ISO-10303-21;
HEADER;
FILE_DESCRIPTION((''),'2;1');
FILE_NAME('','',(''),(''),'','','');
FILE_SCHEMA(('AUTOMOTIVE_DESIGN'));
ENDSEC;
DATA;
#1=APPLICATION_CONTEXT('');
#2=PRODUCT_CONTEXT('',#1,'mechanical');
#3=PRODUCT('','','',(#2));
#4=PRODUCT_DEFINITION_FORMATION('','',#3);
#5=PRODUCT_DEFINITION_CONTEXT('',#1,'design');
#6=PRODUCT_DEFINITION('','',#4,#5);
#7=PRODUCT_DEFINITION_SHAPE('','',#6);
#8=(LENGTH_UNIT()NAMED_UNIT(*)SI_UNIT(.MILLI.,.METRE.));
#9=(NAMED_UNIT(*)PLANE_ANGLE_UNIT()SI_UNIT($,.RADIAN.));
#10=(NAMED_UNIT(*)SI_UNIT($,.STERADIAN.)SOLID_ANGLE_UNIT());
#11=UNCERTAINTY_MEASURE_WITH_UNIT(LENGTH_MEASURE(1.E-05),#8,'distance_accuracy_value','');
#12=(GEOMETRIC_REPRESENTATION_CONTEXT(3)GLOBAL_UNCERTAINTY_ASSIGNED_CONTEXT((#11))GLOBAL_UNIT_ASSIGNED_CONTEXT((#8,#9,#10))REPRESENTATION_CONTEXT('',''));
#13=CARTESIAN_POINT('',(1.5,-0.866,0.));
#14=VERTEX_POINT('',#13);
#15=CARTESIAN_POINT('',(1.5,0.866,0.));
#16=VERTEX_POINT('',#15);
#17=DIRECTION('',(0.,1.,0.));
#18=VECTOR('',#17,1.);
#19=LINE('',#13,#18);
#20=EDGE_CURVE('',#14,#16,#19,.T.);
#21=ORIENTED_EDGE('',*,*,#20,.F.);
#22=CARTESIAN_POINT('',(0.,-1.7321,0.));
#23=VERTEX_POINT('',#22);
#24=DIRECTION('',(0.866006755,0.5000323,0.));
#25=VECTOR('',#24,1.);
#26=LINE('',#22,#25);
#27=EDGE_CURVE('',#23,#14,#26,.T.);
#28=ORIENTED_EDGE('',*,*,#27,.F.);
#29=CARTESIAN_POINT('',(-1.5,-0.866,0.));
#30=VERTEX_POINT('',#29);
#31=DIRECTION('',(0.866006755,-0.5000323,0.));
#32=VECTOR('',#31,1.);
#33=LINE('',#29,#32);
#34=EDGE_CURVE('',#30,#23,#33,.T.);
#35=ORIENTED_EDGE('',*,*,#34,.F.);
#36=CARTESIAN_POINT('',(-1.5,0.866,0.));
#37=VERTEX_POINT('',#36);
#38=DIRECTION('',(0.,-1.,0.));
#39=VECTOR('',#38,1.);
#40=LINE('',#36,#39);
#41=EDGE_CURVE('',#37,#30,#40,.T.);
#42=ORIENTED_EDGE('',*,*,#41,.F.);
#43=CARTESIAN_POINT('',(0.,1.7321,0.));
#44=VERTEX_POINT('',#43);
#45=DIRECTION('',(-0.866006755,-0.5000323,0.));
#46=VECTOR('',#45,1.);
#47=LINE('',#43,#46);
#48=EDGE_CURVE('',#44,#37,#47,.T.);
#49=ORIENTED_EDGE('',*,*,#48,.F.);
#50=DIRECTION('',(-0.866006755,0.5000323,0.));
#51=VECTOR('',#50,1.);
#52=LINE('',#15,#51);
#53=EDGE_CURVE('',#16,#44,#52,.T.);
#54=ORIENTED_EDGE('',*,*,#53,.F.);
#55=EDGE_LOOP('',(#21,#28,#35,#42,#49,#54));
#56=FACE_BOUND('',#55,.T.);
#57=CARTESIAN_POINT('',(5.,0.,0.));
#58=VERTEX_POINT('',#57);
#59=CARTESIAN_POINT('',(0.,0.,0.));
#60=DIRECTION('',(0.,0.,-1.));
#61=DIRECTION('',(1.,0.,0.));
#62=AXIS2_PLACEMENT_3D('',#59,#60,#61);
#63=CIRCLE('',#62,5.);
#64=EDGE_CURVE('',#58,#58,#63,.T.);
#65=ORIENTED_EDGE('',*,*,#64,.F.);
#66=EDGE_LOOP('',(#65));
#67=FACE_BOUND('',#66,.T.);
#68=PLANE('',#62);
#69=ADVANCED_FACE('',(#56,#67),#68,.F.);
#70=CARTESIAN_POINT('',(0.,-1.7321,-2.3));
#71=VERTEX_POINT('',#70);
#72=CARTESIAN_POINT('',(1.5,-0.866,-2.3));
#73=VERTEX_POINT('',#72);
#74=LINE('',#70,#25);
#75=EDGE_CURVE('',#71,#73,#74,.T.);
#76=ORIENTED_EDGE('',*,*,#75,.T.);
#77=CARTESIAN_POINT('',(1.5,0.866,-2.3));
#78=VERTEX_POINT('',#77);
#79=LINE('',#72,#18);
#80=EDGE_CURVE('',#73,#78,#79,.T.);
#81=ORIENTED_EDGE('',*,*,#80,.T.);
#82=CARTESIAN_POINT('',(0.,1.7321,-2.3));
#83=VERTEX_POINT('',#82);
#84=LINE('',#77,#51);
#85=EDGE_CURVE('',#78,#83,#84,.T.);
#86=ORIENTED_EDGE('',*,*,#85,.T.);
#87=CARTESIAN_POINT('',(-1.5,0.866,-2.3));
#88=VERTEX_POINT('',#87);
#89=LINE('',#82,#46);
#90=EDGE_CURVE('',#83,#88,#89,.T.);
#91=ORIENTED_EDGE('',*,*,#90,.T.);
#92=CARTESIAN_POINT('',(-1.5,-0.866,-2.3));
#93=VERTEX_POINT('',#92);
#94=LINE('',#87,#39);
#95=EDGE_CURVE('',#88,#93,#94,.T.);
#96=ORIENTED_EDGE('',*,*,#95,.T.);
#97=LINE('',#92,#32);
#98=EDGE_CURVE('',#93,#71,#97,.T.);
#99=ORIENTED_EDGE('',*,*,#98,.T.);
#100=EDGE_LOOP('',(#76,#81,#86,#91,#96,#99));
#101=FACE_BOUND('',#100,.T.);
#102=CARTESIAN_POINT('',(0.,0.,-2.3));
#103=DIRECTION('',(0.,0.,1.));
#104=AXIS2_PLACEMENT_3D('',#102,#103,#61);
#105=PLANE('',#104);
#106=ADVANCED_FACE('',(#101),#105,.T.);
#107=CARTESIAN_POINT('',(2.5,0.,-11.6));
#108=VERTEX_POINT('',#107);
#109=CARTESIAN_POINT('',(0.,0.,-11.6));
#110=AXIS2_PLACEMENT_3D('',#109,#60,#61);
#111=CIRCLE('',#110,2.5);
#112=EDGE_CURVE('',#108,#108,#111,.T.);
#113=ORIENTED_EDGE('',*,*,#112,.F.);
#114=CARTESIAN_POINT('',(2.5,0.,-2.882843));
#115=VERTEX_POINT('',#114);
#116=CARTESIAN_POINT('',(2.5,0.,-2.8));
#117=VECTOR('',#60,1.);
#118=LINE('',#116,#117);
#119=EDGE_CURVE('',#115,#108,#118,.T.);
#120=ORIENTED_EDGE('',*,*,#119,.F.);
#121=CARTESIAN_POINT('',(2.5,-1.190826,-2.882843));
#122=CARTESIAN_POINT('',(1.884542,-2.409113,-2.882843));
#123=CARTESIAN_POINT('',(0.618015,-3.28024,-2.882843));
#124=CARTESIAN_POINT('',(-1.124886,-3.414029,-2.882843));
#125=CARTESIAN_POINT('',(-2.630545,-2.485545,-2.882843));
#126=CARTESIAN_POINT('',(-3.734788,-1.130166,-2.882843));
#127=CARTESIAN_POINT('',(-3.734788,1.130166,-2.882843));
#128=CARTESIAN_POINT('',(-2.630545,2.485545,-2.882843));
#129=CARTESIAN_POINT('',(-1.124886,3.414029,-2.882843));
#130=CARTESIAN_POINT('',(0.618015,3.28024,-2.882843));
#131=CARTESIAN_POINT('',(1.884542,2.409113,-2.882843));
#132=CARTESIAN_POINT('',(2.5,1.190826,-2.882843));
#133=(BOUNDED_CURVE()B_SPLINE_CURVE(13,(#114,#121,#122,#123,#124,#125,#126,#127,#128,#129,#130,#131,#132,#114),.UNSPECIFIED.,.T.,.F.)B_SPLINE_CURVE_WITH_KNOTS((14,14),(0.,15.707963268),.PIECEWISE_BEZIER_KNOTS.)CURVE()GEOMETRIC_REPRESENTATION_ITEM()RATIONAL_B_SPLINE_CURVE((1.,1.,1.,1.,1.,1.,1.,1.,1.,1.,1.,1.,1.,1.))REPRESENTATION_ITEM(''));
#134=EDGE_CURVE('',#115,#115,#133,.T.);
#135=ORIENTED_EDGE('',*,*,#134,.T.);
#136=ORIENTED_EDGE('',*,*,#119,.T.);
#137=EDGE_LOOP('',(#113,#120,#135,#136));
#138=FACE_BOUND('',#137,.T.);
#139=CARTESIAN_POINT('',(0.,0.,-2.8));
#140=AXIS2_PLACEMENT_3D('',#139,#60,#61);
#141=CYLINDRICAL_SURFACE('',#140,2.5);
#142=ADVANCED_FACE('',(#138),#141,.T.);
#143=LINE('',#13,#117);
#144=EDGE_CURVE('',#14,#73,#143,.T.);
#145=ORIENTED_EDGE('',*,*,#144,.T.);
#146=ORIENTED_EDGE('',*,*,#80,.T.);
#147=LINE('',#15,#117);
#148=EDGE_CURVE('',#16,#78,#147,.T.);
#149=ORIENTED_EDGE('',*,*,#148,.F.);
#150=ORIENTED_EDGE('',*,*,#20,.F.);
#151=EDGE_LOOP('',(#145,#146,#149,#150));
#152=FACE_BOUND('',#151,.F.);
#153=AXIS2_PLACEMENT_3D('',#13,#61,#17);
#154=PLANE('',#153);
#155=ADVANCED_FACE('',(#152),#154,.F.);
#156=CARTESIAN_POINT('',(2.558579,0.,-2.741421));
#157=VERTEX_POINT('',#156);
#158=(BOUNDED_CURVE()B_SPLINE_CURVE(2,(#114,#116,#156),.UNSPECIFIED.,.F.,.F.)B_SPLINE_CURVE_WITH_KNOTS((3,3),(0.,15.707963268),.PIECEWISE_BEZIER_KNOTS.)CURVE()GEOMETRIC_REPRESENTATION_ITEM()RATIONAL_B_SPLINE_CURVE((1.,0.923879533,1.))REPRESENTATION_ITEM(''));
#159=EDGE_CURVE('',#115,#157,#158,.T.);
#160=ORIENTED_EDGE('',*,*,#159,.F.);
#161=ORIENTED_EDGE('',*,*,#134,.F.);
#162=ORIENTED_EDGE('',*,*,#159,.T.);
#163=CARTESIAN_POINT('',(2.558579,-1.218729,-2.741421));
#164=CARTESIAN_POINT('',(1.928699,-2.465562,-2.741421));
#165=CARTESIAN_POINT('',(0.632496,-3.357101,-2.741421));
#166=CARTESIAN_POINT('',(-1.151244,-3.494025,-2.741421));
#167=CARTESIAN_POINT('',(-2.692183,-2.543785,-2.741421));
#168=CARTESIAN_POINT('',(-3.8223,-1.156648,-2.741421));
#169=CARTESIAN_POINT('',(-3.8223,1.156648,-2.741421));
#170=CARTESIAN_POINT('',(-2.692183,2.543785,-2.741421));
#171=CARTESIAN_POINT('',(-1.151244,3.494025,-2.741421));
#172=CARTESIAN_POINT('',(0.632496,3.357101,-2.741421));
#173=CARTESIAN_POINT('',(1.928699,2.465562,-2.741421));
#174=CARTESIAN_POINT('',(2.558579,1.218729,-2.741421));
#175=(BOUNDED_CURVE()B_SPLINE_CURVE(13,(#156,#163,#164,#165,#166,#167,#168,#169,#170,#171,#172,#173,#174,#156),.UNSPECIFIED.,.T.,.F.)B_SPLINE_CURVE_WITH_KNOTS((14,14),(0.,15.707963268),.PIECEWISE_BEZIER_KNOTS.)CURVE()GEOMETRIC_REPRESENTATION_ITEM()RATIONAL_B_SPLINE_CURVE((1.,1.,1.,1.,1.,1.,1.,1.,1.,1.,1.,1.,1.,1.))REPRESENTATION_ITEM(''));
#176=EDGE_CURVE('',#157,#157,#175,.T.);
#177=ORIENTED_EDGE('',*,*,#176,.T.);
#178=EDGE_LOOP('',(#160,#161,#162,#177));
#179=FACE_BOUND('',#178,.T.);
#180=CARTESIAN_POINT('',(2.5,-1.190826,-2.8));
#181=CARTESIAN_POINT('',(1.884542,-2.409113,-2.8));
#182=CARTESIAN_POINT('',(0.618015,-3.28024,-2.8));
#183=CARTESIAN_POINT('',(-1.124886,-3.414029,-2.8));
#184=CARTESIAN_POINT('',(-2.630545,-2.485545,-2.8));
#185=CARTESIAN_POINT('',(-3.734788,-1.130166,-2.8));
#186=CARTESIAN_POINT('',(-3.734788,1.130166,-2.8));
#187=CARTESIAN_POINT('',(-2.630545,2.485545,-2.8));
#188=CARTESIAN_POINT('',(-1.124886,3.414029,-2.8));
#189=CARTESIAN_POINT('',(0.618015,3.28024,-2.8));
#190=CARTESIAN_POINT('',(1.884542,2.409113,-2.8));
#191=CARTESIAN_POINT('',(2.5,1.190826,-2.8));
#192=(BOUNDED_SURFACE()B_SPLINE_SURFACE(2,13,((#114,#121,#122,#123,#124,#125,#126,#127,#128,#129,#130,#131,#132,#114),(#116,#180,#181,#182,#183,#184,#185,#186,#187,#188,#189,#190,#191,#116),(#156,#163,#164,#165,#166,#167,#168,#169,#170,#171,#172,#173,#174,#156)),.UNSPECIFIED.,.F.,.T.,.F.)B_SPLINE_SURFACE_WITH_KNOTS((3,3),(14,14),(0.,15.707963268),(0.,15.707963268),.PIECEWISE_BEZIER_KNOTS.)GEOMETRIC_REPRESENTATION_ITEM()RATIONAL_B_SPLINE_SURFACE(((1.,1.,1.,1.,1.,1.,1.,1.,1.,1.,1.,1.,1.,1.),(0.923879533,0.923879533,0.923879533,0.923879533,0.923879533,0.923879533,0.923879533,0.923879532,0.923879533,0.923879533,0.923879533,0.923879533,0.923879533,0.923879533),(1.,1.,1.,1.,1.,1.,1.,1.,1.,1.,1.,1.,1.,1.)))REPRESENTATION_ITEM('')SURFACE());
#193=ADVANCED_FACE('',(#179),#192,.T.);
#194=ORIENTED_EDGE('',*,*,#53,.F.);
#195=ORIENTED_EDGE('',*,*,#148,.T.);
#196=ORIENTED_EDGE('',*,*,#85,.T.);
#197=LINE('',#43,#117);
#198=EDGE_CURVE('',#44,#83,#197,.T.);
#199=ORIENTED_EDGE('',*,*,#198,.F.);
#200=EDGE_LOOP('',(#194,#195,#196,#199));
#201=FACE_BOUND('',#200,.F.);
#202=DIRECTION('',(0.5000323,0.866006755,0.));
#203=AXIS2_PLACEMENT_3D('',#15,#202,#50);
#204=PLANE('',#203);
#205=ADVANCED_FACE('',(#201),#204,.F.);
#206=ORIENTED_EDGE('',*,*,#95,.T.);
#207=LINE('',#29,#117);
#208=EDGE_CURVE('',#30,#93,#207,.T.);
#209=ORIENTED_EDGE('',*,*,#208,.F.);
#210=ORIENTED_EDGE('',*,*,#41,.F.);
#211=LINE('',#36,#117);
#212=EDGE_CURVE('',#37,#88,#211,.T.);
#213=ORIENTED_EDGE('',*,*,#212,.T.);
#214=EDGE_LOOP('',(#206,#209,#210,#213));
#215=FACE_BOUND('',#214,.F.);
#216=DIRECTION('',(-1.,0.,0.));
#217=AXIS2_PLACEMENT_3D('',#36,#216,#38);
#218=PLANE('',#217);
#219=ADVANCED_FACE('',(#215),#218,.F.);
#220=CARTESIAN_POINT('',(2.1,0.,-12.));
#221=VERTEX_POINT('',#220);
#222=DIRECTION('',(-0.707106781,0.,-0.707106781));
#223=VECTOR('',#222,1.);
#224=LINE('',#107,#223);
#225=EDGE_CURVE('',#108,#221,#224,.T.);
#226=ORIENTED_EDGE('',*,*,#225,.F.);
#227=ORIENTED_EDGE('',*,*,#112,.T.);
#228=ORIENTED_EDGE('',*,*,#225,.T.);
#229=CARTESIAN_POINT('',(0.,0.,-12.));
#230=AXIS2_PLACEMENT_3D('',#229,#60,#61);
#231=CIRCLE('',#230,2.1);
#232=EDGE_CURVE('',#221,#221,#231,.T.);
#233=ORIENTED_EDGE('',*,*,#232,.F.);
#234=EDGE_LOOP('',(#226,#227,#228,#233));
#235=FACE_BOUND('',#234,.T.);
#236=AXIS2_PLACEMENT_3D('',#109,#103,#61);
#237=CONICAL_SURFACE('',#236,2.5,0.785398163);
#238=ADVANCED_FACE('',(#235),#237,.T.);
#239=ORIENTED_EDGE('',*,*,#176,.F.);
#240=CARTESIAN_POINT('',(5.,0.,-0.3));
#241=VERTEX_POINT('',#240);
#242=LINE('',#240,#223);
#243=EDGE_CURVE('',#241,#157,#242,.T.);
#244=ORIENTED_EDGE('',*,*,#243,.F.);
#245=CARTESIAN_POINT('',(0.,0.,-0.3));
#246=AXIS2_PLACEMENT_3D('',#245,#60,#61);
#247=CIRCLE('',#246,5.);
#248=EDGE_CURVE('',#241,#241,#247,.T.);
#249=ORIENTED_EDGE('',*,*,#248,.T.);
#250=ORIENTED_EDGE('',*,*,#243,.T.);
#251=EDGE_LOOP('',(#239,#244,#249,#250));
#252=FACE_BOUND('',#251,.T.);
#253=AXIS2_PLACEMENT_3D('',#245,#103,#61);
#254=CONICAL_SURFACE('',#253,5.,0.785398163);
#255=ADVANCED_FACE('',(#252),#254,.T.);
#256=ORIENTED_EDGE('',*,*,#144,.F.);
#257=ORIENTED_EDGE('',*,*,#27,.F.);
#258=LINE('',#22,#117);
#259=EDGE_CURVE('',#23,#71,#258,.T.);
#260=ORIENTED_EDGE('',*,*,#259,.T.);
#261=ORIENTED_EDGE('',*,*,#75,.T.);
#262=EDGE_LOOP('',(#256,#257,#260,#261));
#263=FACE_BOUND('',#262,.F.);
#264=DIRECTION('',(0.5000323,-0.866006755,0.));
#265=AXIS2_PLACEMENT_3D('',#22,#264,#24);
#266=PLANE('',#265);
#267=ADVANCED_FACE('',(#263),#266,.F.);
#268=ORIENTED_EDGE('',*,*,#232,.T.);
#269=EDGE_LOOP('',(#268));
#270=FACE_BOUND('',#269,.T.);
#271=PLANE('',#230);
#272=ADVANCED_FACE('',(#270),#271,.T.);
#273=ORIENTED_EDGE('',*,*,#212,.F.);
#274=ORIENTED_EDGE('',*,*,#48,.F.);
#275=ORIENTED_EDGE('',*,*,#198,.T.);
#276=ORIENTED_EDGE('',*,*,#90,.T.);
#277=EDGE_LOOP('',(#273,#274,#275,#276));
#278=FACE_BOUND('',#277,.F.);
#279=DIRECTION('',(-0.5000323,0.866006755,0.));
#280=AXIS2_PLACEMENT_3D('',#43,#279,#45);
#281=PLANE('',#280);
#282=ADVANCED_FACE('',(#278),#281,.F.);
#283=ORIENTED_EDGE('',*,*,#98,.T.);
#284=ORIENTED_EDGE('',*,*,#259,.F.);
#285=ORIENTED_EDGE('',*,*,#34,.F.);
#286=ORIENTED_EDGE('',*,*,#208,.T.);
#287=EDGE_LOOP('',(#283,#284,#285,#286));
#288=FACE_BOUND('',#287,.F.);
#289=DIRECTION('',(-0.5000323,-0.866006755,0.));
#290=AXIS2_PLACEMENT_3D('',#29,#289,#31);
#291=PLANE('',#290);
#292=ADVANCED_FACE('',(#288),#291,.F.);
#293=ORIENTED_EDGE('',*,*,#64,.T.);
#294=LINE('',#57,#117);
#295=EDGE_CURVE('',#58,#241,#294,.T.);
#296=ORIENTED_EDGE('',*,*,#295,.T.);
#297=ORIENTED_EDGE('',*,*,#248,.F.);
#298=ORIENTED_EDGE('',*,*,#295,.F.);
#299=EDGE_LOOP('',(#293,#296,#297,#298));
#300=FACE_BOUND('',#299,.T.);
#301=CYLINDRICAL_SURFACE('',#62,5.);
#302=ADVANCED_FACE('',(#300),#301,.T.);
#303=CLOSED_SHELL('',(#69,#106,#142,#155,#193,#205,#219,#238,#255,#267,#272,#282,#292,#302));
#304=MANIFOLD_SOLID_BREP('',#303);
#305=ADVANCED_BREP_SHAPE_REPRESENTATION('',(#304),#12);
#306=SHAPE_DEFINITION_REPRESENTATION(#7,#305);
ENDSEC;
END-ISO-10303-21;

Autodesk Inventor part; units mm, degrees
ref_plane "YZ Plane" through (0, 0, 0) normal (1, 0, 0) x (0, 1, 0)
sketch "Sketch1" plane through (0, 0, 0) normal (0, 1, 0) x (-1, 0, 0)
  point P0 (0, 0)
sketch "Sketch2" plane through (0, 0, 0) normal (0, 1, 0) x (-1, 0, 0)
  line L0 (-2.5, -12) -> (0, -12)
  line L1 (-2.5, -2.8) -> (-2.5, -12)
  line L2 (-5, -0.3) -> (-2.5, -2.8)
  line L3 (-5, 0) -> (-5, -0.3)
  line L4 (0, 0) -> (-5, 0)
  line L5 (0, -12) -> (0, 0)
  line L6 (0, -12) -> (0, 0)
  line L7 (0, -14.4) -> (0, 2.4) projected
  line L8 (1, 0) -> (-6, 0) projected
  dimension "d3" = 5
  dimension "d5" = 2.5
  dimension "d7" = 12
  dimension "ParC" = 0.3
  dimension "d22" = 0
  dimension "d23" = 0
  dimension "d43" = 45
revolve "Revolution1" add sketch "Sketch2" angle 360 about axis through (0, 0, -12) along (0, 0, -1)
sketch "Sketch3" plane through (0, 0, 0) normal (0, 0, 1) x (1, 0, 0)
  line L0 (-1.5, 0.866) -> (-1.5, -0.866)
  line L1 (0, 1.7321) -> (-1.5, 0.866)
  line L2 (1.5, 0.866) -> (0, 1.7321)
  line L3 (1.5, -0.866) -> (1.5, 0.866)
  line L4 (0, -1.7321) -> (1.5, -0.866)
  line L5 (-1.5, -0.866) -> (0, -1.7321)
  circle A0 centre (0, 0) radius 1.5 construction
  circle A1 centre (0, 0) radius 2.5 construction
  dimension "d11" = 3
  dimension "d13" = 120
  dimension "d15" = 120
extrude "Extrusion1" cut sketch "Sketch3" against normal blind 2.3
fillet "Fillet1" radius 0.2 1 edges at (-2.5, 0, -2.8)
chamfer "Chamfer1" distance 0.4 angle 45 1 edges at (-2.5, 0, -12) measured on face at (-0.599, -2.4272, -8.9609)
thread "Thread1" size "M5x0.8" class "6g" standard "ISO Metric profile" length 7.6
ref_plane "MSC_PF1" through (0, 0, 0) normal (1, 0, 0) x (0, 1, 0)
ref_plane "MSC_PT1" through (0, 0, 0) normal (0, 0, -1) x (-1, 0, 0)
equation "\"d3\" = 0.5 * dk"
equation "\"d5\" = 0.5 * NND"
equation "\"d7\" = NLG"
equation "\"d43\" = 0.5 * ang"
equation "\"d18\" = r"
equation "\"d19\" = 0.5 * PTC"
equation "\"d39\" = 0.5 * PTC"
equation "\"d11\" = ParS"
equation "\"d16\" = ParT"
equation "\"NND\" = 5"
equation "\"PTC\" = 0.8"
equation "\"ParK\" = 2.8"
equation "\"ParS\" = 3"
equation "\"ParT\" = 2.3"
equation "\"r\" = 0.2"
equation "\"NLG\" = 12"
equation "\"ang\" = 90deg"
equation "\"THREADDIA\" = NND"
equation "\"dk\" = 10"
properties part number "ISO 10642 - M5x12" material "Steel, Mild"
